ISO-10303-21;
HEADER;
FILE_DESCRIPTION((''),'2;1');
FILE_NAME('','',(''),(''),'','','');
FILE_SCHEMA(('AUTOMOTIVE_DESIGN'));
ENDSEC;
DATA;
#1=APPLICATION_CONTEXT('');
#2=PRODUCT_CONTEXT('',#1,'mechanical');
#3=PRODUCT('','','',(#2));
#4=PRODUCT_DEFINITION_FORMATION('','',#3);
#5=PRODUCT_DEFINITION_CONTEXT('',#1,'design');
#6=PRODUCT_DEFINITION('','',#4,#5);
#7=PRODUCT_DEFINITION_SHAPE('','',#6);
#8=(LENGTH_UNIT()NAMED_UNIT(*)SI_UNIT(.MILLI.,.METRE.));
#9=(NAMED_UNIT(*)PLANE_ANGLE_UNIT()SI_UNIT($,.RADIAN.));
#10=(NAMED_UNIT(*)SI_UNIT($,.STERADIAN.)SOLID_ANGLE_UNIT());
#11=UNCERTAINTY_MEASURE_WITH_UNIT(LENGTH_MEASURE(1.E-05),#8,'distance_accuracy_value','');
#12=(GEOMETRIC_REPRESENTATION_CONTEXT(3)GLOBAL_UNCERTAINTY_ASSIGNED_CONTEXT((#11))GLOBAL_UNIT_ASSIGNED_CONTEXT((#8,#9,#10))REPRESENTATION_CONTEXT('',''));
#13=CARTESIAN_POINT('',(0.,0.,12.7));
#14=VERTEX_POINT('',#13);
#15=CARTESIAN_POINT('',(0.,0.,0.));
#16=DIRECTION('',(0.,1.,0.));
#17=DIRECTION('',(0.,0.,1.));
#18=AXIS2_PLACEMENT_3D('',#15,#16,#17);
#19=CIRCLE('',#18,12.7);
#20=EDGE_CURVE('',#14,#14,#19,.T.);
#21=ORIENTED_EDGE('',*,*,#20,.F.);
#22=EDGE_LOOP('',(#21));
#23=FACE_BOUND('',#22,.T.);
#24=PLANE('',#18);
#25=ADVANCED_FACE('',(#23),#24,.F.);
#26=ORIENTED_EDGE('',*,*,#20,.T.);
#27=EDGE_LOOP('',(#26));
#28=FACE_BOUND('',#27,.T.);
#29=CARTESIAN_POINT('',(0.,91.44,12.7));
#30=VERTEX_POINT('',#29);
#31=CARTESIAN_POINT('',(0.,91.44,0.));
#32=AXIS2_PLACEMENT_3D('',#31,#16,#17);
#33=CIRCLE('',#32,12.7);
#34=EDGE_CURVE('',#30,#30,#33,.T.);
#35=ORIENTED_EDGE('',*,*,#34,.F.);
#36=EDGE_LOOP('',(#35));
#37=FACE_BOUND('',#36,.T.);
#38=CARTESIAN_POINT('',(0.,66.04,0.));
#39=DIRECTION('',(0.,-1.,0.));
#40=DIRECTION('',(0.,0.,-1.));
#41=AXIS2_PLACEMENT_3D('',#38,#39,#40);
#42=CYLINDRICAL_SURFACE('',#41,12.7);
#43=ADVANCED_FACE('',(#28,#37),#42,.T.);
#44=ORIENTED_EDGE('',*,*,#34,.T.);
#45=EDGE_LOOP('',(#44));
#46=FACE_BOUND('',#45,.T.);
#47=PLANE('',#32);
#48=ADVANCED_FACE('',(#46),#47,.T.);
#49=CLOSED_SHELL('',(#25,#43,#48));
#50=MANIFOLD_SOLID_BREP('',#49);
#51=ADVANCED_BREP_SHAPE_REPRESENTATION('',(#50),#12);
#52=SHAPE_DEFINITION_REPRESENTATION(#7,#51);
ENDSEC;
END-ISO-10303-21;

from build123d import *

# Parameters (mm, degrees)
SKETCH1_R           = 12.7
BOSS_EXTRUDE1_DEPTH = 66.04
SKETCH2_R           = 12.7
BOSS_EXTRUDE2_DEPTH = 25.4


with BuildPart() as part:
    # Sketch1 → Boss-Extrude1 (new body)
    with BuildSketch(Plane(origin=(0, 0, 0), x_dir=(1, 0, 0), z_dir=(0, 1, 0))):
        with Locations(Location((0, 0, 0), (0, 0, 270))):
            Circle(SKETCH1_R)
    extrude(amount=BOSS_EXTRUDE1_DEPTH)

    # Sketch2 → Boss-Extrude2 (add)
    with BuildSketch(Plane(origin=(0, 66.04, 0), x_dir=(1, 0, 0), z_dir=(0, 1, 0))):
        with Locations(Location((0, 0, 0), (0, 0, 270))):
            Circle(SKETCH2_R)
    extrude(amount=BOSS_EXTRUDE2_DEPTH)


solid = part.part
